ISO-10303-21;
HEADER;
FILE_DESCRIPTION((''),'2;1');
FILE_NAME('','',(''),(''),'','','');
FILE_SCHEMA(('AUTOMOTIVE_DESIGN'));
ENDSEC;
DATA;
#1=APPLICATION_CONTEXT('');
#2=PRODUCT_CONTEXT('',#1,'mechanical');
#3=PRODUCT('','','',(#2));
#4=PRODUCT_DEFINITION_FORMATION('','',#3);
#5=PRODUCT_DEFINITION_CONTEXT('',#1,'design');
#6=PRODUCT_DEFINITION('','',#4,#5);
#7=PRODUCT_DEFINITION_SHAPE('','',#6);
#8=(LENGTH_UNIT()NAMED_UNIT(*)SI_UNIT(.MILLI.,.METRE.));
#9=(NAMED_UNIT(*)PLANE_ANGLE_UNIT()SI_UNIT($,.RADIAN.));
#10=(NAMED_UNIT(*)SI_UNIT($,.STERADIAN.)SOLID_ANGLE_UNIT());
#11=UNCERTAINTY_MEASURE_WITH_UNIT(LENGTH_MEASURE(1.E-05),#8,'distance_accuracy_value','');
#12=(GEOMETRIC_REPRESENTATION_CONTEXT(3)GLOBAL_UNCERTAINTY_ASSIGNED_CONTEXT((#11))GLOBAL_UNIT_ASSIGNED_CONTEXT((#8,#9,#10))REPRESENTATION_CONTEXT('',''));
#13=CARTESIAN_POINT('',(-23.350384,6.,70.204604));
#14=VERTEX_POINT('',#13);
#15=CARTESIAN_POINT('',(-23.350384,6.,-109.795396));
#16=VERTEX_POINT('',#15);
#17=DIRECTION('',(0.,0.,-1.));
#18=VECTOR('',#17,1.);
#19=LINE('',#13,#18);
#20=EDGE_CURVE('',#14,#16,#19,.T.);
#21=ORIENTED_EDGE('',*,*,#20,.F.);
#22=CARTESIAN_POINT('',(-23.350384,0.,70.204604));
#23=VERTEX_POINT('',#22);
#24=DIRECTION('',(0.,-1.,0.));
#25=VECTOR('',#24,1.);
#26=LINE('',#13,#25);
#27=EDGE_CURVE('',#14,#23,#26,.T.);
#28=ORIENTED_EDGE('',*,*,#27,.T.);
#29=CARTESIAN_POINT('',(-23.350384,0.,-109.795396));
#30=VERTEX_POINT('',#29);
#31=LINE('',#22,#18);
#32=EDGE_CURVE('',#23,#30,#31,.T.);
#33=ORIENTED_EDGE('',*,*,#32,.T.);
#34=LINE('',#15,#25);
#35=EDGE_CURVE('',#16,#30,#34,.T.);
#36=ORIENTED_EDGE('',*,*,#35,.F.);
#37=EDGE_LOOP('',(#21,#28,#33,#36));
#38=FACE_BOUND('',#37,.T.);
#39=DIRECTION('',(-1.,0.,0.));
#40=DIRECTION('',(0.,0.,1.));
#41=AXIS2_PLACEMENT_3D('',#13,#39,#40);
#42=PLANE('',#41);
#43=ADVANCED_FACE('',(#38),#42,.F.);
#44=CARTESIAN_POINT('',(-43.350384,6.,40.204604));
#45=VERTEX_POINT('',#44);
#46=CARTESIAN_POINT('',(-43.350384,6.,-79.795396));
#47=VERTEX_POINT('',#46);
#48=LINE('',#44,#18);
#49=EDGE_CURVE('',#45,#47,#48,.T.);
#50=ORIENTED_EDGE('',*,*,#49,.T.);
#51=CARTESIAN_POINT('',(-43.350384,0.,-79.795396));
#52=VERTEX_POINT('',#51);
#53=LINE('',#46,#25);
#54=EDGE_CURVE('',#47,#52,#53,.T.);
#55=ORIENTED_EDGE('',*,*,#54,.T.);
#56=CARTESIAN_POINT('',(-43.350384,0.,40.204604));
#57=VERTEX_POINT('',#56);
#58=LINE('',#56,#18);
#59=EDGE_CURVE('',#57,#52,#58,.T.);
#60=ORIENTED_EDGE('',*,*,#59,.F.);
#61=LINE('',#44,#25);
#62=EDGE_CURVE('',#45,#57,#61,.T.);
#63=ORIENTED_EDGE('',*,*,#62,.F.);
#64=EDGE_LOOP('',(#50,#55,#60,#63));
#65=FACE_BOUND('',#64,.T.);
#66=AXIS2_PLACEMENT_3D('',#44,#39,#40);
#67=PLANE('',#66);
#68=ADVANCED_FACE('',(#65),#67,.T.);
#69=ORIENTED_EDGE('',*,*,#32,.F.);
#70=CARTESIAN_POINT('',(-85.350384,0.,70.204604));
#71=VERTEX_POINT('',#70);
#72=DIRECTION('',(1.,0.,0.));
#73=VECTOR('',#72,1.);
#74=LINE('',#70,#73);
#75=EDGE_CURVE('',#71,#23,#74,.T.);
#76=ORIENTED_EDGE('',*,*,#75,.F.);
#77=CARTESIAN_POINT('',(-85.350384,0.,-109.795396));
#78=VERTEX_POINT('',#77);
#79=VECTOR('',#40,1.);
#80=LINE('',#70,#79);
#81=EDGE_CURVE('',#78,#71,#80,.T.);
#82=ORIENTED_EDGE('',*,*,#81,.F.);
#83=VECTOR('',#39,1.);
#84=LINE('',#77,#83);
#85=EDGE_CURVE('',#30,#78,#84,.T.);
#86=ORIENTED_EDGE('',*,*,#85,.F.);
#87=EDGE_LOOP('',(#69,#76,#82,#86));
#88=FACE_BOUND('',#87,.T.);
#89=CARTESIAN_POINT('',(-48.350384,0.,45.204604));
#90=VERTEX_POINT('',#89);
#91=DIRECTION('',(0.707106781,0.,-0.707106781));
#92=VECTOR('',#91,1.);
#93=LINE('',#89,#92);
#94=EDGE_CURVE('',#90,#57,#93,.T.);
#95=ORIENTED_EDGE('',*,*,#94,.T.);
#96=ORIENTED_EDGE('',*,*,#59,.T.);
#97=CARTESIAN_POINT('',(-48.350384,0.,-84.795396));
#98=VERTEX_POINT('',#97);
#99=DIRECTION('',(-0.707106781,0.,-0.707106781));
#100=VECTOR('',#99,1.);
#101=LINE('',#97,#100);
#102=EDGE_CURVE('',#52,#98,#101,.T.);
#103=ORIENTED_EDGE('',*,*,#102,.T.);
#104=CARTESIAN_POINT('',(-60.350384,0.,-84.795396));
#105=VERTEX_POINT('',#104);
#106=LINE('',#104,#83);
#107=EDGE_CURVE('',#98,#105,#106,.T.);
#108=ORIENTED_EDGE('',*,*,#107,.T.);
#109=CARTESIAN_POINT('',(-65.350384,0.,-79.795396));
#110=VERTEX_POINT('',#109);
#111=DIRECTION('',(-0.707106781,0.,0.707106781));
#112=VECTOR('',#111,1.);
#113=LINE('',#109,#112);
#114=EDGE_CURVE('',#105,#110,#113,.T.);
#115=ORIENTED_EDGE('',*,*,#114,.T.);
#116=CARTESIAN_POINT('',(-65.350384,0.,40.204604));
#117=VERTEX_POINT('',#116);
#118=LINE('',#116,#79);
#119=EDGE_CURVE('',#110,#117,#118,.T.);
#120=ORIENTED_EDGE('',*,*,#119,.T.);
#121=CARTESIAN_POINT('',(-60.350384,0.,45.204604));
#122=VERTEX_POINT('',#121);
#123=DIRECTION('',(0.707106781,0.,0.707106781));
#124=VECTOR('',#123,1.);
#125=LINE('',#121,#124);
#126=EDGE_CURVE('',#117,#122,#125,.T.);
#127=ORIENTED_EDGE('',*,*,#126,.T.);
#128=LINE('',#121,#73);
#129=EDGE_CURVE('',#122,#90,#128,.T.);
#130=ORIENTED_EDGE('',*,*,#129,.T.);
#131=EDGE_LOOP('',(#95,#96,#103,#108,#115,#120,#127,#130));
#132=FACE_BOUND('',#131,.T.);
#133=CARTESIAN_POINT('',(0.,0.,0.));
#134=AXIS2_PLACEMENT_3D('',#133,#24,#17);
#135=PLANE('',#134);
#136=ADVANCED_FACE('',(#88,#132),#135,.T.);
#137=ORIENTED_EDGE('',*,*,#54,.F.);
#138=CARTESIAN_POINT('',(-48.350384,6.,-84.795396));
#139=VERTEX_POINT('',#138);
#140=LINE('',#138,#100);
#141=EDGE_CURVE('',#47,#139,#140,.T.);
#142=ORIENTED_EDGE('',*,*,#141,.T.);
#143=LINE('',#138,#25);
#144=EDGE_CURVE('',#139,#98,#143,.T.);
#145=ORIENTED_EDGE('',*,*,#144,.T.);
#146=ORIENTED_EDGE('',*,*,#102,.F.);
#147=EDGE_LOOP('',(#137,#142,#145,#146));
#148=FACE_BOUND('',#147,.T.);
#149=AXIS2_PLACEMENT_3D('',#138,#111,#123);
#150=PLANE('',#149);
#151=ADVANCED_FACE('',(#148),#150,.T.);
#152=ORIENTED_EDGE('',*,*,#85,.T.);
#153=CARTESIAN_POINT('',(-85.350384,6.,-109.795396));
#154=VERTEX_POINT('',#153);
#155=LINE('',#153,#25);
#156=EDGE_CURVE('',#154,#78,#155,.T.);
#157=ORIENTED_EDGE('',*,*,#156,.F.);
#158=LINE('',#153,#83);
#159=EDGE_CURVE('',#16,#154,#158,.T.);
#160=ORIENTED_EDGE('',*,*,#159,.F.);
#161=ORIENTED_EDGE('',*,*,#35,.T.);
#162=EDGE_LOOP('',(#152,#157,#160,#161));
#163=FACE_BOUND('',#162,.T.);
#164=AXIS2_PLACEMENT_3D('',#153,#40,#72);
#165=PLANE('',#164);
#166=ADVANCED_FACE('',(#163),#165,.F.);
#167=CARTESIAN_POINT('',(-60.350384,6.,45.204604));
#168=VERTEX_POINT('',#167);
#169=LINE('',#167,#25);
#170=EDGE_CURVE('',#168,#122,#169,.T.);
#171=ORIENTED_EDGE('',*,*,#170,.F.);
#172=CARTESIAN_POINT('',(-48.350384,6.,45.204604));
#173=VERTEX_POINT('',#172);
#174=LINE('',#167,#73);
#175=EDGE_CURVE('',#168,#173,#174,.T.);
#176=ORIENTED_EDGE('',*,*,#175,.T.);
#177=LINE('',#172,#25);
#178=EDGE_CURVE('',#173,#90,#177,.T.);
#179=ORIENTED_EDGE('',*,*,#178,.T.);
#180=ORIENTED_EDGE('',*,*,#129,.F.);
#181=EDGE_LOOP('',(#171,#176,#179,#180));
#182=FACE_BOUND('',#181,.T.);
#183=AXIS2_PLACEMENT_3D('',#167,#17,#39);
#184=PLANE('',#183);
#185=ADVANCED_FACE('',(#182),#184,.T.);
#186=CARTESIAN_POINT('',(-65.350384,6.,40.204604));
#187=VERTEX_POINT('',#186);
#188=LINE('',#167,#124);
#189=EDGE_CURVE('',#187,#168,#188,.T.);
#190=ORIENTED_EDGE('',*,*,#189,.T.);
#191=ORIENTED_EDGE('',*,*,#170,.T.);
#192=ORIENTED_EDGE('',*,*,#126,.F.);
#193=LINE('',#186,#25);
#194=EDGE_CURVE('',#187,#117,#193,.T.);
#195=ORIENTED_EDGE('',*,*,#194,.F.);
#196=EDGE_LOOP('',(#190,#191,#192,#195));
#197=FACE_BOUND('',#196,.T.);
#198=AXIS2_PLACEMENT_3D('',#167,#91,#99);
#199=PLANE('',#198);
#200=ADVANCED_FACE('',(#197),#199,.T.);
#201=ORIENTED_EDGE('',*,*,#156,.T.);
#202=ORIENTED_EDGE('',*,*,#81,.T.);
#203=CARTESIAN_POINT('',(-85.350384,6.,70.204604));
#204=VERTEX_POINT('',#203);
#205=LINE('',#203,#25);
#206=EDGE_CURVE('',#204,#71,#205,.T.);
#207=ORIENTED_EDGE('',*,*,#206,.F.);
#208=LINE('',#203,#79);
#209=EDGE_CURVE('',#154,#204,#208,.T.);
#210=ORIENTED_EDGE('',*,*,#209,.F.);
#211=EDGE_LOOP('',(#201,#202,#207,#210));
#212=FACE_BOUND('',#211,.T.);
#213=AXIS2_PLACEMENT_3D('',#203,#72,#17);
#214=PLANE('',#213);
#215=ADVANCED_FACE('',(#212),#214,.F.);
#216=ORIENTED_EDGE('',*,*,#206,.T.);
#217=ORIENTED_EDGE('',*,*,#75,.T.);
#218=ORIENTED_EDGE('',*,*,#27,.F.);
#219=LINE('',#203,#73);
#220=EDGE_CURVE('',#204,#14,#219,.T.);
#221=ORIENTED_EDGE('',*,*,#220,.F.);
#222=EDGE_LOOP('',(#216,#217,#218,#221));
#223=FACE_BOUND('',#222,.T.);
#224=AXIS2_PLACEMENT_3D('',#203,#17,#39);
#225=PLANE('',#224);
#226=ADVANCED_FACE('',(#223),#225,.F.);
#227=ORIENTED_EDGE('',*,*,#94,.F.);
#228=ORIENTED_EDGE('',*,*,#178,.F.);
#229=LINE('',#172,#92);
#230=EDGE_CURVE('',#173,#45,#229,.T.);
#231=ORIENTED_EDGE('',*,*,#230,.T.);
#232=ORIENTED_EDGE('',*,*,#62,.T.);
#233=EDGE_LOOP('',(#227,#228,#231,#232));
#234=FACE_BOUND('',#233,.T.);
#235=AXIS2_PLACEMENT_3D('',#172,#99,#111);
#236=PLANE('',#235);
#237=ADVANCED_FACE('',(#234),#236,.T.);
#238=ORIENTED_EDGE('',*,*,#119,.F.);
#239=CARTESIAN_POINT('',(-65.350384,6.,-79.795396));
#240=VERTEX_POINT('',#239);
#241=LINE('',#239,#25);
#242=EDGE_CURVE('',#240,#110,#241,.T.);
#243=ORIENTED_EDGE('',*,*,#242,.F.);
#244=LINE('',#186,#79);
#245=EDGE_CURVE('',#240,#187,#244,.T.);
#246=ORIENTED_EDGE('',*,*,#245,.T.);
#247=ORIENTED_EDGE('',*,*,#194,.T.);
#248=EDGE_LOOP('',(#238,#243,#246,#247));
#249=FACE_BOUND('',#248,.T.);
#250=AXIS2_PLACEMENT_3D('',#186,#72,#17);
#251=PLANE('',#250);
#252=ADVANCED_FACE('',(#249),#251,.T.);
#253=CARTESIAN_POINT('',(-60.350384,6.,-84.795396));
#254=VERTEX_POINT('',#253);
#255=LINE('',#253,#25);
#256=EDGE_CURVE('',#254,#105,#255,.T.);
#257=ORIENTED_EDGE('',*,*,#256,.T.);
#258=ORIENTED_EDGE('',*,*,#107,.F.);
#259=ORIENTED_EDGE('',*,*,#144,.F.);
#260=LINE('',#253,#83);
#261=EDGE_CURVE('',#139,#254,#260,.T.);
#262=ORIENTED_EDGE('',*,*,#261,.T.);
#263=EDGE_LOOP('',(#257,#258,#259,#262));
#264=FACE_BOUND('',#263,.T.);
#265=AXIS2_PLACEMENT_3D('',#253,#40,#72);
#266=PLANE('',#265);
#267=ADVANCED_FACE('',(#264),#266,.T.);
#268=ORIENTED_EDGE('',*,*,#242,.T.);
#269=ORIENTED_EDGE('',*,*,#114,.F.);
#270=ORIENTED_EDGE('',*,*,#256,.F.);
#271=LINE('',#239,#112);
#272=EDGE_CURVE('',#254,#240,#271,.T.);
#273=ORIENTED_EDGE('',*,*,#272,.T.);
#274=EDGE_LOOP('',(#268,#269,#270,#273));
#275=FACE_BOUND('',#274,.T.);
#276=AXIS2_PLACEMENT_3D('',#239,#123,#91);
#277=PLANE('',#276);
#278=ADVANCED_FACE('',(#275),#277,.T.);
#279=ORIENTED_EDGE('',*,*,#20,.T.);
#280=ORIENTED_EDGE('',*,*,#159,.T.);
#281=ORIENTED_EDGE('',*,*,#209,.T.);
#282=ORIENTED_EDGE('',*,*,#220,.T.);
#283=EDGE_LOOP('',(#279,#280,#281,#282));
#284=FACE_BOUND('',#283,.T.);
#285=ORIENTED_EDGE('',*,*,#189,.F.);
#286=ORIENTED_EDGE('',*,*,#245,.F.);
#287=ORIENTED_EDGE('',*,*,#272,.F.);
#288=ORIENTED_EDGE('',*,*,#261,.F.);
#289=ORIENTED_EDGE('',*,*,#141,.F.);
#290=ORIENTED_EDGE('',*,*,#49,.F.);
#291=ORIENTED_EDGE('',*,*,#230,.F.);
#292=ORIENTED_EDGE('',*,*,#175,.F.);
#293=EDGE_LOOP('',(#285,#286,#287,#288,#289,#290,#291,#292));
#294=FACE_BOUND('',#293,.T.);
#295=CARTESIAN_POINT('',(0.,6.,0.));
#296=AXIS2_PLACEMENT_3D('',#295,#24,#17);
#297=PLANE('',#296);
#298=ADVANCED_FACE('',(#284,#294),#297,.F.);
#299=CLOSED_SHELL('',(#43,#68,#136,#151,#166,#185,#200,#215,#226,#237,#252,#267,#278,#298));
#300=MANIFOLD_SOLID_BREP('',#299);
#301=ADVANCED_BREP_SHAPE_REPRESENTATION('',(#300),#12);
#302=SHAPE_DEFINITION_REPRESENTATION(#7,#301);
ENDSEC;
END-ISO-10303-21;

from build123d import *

# Parameters (mm, degrees)
SKETCH1_W           = 62
SKETCH1_H           = 180
BOSS_EXTRUDE1_DEPTH = 6


with BuildPart() as part:
    # Sketch1 → Boss-Extrude1 (new body)
    with BuildSketch(Plane(origin=(0, 0, 0), x_dir=(1, 0, 0), z_dir=(0, 1, 0))):
        with Locations((-54.350383632, 19.795396419)):
            Rectangle(SKETCH1_W, SKETCH1_H)
        Polygon((-48.350383632, 84.795396419), (-43.350383632, 79.795396419), (-43.350383632, -40.204603581), (-48.350383632, -45.204603581), (-60.350383632, -45.204603581), (-65.350383632, -40.204603581), (-65.350383632, 79.795396419), (-60.350383632, 84.795396419), align=None, mode=Mode.SUBTRACT)
    extrude(amount=BOSS_EXTRUDE1_DEPTH)


solid = part.part
